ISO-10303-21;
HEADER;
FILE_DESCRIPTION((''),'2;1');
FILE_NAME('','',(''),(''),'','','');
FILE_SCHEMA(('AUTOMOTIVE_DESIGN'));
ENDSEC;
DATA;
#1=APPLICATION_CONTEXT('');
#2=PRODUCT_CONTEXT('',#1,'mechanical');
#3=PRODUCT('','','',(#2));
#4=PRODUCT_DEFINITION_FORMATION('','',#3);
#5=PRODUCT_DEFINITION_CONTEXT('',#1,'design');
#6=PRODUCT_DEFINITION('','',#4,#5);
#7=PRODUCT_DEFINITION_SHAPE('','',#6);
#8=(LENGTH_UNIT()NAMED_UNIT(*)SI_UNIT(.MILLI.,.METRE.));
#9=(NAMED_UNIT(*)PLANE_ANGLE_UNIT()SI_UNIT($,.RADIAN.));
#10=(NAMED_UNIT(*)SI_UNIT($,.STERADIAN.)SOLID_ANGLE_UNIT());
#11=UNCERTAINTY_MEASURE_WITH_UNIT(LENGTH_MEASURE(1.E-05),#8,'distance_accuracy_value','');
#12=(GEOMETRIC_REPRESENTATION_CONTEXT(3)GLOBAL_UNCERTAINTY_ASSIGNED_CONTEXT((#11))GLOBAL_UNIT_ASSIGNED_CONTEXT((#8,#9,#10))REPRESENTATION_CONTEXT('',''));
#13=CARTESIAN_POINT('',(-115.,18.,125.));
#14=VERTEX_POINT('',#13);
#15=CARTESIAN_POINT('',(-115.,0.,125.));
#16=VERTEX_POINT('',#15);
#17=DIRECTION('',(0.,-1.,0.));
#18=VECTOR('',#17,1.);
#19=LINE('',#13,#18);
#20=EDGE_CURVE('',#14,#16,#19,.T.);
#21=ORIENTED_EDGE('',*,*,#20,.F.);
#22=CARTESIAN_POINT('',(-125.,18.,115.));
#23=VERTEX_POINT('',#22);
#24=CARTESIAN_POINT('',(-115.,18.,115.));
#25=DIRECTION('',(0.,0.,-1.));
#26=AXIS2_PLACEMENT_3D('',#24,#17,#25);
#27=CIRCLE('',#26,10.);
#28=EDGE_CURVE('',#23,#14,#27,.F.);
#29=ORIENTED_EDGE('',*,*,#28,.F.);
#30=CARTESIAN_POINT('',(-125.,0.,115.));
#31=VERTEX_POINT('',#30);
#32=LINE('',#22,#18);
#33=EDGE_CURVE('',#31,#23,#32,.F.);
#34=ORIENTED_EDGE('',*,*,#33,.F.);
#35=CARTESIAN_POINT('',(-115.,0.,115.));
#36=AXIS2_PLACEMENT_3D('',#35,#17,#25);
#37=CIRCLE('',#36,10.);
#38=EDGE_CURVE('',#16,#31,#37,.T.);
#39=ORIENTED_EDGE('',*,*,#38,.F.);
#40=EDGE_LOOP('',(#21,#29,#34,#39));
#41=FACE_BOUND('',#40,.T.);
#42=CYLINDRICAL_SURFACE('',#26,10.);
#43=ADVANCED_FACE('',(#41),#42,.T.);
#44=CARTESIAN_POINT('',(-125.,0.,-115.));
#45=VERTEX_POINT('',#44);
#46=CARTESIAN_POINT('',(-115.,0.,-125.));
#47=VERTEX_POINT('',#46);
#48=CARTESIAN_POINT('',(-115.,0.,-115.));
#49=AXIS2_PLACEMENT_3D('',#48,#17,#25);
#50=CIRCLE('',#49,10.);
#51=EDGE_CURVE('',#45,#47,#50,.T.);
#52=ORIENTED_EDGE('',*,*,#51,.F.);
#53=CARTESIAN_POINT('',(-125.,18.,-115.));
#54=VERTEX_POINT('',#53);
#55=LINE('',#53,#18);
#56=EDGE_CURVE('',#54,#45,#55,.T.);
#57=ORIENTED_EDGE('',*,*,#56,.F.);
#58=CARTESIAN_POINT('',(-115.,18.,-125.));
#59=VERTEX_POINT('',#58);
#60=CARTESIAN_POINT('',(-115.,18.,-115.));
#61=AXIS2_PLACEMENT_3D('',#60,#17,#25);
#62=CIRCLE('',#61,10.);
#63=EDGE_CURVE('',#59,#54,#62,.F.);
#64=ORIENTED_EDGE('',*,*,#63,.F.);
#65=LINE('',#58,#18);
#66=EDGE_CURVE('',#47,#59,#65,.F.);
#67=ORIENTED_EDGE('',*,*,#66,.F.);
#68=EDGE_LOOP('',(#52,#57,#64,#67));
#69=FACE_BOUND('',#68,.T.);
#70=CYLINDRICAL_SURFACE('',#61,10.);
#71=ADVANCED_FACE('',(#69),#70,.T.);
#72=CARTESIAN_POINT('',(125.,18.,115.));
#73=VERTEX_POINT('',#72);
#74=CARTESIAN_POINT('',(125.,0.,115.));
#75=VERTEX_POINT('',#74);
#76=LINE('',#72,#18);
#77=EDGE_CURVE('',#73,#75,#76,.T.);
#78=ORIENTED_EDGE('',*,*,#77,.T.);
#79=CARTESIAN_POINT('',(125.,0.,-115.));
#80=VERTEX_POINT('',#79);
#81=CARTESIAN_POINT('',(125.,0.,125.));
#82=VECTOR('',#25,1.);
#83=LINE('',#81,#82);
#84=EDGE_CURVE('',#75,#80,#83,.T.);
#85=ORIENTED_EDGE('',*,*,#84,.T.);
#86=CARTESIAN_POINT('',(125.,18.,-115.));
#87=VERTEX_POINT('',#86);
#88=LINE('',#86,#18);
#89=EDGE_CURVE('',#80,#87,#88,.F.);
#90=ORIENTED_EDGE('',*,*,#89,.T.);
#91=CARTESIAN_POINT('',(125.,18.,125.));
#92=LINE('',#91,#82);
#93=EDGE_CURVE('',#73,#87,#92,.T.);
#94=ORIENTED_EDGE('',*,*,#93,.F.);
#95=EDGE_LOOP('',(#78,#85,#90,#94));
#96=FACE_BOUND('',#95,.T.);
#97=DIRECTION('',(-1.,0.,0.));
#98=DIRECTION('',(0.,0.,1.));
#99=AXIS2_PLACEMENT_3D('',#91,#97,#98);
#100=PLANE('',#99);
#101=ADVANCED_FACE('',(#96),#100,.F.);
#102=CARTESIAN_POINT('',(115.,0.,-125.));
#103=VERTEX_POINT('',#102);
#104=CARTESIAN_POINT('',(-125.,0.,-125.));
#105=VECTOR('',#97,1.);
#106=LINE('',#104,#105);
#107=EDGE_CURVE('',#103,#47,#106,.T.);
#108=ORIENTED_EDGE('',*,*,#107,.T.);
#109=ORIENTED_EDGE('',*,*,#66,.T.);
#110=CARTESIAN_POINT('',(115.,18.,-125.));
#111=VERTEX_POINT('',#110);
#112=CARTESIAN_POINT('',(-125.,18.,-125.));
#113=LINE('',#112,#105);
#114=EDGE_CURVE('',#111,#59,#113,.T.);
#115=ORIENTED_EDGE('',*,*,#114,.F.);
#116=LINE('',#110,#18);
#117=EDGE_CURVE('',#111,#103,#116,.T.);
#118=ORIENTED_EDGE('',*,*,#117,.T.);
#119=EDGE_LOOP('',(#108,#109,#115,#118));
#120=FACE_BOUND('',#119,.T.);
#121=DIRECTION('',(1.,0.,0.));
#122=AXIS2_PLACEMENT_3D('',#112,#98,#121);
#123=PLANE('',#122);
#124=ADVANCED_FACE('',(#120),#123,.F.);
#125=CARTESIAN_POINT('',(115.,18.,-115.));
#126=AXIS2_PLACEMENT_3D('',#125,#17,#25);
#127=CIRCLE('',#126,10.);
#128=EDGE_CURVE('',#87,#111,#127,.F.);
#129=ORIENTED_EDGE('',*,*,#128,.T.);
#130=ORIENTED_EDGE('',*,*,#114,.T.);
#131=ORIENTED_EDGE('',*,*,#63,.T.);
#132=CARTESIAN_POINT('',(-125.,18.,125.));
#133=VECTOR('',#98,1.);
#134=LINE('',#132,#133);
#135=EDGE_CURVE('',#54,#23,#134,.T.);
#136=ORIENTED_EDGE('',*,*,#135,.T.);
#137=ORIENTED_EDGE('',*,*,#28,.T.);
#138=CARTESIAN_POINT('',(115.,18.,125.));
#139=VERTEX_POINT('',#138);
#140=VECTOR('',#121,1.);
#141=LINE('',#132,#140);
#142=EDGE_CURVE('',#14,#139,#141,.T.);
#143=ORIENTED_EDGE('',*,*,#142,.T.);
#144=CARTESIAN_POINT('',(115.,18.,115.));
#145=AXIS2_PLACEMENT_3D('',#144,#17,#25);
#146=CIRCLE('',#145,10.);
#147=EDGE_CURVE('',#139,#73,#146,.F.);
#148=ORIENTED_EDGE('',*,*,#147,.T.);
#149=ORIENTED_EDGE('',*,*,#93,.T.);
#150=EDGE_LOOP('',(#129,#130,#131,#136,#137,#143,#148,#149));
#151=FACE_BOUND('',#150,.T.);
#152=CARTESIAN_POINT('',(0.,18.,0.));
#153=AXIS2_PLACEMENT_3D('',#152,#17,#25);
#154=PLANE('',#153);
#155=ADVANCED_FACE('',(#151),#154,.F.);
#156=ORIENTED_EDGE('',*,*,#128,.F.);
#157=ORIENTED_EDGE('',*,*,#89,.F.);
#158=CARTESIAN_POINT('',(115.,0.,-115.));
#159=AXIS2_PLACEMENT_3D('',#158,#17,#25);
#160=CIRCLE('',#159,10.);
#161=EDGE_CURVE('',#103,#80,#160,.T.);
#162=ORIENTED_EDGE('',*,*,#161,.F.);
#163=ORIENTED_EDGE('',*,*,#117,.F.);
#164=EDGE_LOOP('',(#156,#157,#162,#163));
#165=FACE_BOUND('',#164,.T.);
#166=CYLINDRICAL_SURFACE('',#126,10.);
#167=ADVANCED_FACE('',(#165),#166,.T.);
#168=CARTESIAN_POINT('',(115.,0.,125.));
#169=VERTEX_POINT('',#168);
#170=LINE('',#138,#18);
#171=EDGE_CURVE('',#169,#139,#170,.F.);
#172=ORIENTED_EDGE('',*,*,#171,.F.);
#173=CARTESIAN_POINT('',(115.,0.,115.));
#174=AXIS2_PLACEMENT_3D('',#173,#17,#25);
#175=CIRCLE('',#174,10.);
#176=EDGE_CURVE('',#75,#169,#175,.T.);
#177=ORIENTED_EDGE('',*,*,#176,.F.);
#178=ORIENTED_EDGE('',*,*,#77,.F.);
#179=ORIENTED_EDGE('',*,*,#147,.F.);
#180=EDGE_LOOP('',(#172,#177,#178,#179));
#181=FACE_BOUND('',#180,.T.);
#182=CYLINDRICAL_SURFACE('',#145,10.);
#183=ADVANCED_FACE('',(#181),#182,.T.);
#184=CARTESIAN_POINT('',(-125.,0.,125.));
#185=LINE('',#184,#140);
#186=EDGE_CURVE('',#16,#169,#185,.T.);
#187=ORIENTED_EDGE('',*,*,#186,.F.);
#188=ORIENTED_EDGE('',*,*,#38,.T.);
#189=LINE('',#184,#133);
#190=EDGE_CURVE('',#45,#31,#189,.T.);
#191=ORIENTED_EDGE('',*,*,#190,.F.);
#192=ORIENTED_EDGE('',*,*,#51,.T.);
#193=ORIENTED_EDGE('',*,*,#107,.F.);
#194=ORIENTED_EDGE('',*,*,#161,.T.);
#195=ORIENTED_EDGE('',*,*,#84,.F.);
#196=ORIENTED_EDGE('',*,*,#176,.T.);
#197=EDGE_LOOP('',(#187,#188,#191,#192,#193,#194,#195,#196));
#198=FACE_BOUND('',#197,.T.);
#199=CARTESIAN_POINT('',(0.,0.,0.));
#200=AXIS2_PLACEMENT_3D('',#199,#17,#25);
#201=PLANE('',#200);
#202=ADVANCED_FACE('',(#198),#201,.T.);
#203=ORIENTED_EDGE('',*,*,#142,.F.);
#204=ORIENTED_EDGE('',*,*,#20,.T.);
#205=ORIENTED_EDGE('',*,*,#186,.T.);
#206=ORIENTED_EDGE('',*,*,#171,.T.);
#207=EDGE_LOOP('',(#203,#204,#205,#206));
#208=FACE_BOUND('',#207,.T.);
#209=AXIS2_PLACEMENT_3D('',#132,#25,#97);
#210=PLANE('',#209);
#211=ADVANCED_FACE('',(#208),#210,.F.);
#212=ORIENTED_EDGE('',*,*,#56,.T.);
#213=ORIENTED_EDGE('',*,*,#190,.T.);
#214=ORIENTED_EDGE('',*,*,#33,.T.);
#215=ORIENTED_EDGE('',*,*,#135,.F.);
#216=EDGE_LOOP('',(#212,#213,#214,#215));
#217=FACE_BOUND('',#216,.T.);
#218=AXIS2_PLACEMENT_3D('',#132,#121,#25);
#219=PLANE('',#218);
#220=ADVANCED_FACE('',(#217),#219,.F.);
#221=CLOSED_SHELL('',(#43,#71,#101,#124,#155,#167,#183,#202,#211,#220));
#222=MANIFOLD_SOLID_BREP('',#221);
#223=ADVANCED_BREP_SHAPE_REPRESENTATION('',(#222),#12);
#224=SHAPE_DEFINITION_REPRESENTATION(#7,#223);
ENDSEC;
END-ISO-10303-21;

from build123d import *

# Parameters (mm, degrees)
SKETCH_1_W      = 250
SKETCH_1_H      = 250
EXTRUDE_1_DEPTH = 18
FILLET_1_R      = 10


with BuildPart() as part:
    # 草图1 → 凸台-拉伸1 (new body)
    with BuildSketch(Plane(origin=(0, 0, 0), x_dir=(1, 0, 0), z_dir=(0, 1, 0))):
        Rectangle(SKETCH_1_W, SKETCH_1_H)
    extrude(amount=EXTRUDE_1_DEPTH)

    # 圆角1
    fillet_1_edges = [part.edges().sort_by_distance(p)[0] for p in [
        (-125, 9, -125),
        (125, 9, -125),
        (125, 9, 125),
        (-125, 9, 125),
    ]]
    fillet(fillet_1_edges, radius=FILLET_1_R)


solid = part.part
